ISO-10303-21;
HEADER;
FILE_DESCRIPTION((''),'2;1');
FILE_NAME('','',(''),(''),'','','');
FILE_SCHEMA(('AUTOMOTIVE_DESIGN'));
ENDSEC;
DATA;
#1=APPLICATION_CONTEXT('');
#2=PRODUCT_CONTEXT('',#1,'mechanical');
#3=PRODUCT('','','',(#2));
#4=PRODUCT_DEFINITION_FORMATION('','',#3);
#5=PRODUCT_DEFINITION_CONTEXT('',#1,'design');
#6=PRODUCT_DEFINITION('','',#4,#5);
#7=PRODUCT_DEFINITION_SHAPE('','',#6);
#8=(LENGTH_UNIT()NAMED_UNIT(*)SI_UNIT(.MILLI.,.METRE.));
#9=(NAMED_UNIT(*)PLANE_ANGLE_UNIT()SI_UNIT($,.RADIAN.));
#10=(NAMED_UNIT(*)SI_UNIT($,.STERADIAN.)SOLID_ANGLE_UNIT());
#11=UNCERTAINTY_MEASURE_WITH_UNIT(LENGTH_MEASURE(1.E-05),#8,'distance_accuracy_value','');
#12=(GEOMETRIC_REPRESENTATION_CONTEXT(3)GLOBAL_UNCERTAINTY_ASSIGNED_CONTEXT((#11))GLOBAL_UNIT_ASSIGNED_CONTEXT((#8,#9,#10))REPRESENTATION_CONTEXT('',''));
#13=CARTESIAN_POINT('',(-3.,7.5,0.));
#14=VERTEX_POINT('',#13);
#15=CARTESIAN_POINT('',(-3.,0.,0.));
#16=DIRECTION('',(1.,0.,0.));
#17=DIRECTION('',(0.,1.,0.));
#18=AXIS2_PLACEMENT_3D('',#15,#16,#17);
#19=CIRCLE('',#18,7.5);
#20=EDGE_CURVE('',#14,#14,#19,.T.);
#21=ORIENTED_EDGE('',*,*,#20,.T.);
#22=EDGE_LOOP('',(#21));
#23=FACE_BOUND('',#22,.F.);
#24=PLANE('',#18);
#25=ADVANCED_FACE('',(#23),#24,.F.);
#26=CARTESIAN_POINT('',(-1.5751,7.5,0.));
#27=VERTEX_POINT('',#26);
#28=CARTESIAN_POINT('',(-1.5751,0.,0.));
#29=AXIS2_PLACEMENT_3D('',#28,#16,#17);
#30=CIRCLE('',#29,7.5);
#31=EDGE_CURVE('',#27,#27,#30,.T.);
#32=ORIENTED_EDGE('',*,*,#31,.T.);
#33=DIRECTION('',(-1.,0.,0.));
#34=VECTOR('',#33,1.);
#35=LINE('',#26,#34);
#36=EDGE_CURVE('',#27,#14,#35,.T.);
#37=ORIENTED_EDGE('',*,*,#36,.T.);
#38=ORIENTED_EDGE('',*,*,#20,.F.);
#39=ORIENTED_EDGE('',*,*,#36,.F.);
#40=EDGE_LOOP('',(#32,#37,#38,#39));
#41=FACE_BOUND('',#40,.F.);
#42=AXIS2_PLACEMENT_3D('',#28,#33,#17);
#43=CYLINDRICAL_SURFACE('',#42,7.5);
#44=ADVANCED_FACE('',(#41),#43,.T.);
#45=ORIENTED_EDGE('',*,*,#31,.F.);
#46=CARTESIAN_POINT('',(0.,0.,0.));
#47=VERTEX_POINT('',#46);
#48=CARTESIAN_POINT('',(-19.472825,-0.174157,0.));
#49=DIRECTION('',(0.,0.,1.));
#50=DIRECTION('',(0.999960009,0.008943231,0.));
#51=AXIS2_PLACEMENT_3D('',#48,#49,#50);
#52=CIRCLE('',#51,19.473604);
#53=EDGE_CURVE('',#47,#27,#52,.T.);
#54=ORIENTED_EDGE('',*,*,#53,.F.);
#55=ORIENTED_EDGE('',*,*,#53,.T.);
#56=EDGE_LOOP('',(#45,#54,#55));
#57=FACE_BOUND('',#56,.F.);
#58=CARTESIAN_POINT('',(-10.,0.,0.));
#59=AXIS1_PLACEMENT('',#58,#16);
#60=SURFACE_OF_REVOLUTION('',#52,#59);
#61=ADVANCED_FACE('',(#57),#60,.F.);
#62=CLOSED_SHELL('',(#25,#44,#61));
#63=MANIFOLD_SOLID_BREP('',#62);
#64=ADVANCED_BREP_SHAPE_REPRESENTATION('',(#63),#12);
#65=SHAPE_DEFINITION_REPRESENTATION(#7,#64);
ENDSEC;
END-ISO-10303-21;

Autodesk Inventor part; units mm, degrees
ref_plane "YZ Plane" through (0, 0, 0) normal (1, 0, 0) x (0, 1, 0)
ref_plane "XZ Plane" through (0, 0, 0) normal (0, 1, 0) x (-1, 0, 0)
ref_plane "XY Plane" through (0, 0, 0) normal (0, 0, 1) x (1, 0, 0)
sketch "Sketch1" plane through (0, 0, 0) normal (0, 0, 1) x (1, 0, 0)
  arc A0 (0, 0) -> (-1.5751, 7.5) centre (-19.4723, -0.1741) ccw
  line L0 (-1.5751, 7.5) -> (-3, 7.5)
  line L1 (0, 0) -> (0, 0)
  line L2 (-3, 7.5) -> (-3, 0)
  line L3 (-3, 0) -> (0, 0)
  line L4 (-23.4413, 0) -> (4.3416, 0) projected
  point P0 (-1.5, 0)
  dimension "d0" = 7.5
  dimension "d1" = 3
revolve "Revolution1" add sketch "Sketch1" angle 360 about axis through (-10, 0, 0) along (1, 0, 0)
properties part number "00_Lens_f25_d15mm"
